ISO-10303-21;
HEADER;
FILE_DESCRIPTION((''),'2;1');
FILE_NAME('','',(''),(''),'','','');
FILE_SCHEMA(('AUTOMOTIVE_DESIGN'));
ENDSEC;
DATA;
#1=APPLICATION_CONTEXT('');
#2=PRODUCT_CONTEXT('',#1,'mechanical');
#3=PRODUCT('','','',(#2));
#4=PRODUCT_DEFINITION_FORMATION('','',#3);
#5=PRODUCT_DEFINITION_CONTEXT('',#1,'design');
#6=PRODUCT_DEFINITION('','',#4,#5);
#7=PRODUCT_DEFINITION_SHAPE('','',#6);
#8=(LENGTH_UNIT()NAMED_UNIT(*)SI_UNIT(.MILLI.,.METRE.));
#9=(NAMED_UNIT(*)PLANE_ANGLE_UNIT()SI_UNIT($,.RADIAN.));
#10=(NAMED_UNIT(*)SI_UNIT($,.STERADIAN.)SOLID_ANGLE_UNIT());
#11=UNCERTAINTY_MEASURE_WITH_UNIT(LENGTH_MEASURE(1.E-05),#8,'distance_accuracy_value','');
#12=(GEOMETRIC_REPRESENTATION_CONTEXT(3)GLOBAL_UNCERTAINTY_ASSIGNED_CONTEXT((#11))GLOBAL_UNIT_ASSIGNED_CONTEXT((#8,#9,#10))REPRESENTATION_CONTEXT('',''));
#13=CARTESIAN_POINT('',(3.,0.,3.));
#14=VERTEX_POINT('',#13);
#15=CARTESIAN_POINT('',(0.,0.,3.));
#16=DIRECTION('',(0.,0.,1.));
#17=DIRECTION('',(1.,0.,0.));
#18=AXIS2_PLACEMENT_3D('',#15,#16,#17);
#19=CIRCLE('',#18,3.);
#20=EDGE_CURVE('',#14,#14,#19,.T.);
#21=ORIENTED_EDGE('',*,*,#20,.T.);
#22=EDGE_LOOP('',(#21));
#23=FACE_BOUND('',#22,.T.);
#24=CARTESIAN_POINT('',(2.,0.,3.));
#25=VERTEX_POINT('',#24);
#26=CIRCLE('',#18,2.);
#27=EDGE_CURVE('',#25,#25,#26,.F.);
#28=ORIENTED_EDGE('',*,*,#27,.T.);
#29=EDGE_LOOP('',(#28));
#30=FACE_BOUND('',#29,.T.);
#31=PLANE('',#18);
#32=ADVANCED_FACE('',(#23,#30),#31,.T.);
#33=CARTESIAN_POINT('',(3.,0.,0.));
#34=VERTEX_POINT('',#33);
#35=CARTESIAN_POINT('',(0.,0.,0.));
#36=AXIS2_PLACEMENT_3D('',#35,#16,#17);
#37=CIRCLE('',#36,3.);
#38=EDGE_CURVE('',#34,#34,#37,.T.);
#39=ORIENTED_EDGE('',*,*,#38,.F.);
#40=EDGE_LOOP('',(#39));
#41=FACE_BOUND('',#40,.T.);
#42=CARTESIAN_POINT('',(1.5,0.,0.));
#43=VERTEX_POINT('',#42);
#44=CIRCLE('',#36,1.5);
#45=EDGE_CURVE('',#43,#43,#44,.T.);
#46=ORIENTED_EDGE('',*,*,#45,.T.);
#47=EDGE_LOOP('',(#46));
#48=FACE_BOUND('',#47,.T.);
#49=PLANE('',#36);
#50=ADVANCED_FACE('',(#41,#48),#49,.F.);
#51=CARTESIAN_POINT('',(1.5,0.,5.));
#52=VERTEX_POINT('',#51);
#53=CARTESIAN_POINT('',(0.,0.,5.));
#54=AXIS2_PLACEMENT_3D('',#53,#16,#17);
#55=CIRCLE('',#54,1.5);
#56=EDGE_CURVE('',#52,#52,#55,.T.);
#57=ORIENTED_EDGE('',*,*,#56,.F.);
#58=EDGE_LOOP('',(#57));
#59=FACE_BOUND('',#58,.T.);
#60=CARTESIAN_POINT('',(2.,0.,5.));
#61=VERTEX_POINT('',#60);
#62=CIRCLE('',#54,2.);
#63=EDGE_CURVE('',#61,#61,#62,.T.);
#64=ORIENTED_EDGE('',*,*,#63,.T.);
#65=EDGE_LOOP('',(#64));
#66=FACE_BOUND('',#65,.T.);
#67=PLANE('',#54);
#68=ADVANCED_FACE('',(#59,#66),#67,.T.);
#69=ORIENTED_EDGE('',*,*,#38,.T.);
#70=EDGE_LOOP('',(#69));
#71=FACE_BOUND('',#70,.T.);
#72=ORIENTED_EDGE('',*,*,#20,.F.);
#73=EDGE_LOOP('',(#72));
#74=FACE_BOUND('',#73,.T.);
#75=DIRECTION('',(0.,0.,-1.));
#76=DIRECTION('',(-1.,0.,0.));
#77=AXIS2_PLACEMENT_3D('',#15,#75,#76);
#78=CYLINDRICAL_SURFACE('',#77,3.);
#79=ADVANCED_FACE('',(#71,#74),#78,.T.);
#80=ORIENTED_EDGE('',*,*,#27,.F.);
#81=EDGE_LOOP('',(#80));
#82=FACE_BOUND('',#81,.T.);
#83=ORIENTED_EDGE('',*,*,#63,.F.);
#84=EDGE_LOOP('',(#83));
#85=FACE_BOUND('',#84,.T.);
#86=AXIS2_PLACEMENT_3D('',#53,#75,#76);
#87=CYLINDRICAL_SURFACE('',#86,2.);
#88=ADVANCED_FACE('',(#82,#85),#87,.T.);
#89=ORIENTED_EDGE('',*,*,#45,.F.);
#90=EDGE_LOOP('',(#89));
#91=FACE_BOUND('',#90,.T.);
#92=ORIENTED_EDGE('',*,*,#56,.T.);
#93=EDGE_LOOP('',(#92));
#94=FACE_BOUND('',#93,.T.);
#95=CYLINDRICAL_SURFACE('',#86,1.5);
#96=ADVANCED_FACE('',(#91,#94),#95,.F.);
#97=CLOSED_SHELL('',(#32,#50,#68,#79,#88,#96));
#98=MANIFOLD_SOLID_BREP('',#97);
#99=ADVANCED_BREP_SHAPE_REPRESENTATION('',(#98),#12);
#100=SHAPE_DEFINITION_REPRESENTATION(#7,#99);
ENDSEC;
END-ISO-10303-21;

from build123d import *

# Parameters (mm, degrees)
SKETCH_1_R          = 3
EXTRUDE_1_DEPTH     = 3
SKETCH_1_3_R        = 2
EXTRUDE_2_DEPTH     = 5
SKETCH_1_4_R        = 1.5
CUT_EXTRUDE_1_DEPTH = 6


with BuildPart() as part:
    # Sketch 1 → Extrude 1 (new body)
    with BuildSketch(Plane.XY):
        Circle(SKETCH_1_R)
    extrude(amount=EXTRUDE_1_DEPTH)

    # Sketch 1_3 → Extrude 2 (add)
    with BuildSketch(Plane.XY):
        Circle(SKETCH_1_3_R)
    extrude(amount=EXTRUDE_2_DEPTH)

    # Sketch 1_4 → Cut-Extrude 1 (cut, through all)
    with BuildSketch(Plane.XY):
        Circle(SKETCH_1_4_R)
    extrude(amount=CUT_EXTRUDE_1_DEPTH, mode=Mode.SUBTRACT)


solid = part.part
